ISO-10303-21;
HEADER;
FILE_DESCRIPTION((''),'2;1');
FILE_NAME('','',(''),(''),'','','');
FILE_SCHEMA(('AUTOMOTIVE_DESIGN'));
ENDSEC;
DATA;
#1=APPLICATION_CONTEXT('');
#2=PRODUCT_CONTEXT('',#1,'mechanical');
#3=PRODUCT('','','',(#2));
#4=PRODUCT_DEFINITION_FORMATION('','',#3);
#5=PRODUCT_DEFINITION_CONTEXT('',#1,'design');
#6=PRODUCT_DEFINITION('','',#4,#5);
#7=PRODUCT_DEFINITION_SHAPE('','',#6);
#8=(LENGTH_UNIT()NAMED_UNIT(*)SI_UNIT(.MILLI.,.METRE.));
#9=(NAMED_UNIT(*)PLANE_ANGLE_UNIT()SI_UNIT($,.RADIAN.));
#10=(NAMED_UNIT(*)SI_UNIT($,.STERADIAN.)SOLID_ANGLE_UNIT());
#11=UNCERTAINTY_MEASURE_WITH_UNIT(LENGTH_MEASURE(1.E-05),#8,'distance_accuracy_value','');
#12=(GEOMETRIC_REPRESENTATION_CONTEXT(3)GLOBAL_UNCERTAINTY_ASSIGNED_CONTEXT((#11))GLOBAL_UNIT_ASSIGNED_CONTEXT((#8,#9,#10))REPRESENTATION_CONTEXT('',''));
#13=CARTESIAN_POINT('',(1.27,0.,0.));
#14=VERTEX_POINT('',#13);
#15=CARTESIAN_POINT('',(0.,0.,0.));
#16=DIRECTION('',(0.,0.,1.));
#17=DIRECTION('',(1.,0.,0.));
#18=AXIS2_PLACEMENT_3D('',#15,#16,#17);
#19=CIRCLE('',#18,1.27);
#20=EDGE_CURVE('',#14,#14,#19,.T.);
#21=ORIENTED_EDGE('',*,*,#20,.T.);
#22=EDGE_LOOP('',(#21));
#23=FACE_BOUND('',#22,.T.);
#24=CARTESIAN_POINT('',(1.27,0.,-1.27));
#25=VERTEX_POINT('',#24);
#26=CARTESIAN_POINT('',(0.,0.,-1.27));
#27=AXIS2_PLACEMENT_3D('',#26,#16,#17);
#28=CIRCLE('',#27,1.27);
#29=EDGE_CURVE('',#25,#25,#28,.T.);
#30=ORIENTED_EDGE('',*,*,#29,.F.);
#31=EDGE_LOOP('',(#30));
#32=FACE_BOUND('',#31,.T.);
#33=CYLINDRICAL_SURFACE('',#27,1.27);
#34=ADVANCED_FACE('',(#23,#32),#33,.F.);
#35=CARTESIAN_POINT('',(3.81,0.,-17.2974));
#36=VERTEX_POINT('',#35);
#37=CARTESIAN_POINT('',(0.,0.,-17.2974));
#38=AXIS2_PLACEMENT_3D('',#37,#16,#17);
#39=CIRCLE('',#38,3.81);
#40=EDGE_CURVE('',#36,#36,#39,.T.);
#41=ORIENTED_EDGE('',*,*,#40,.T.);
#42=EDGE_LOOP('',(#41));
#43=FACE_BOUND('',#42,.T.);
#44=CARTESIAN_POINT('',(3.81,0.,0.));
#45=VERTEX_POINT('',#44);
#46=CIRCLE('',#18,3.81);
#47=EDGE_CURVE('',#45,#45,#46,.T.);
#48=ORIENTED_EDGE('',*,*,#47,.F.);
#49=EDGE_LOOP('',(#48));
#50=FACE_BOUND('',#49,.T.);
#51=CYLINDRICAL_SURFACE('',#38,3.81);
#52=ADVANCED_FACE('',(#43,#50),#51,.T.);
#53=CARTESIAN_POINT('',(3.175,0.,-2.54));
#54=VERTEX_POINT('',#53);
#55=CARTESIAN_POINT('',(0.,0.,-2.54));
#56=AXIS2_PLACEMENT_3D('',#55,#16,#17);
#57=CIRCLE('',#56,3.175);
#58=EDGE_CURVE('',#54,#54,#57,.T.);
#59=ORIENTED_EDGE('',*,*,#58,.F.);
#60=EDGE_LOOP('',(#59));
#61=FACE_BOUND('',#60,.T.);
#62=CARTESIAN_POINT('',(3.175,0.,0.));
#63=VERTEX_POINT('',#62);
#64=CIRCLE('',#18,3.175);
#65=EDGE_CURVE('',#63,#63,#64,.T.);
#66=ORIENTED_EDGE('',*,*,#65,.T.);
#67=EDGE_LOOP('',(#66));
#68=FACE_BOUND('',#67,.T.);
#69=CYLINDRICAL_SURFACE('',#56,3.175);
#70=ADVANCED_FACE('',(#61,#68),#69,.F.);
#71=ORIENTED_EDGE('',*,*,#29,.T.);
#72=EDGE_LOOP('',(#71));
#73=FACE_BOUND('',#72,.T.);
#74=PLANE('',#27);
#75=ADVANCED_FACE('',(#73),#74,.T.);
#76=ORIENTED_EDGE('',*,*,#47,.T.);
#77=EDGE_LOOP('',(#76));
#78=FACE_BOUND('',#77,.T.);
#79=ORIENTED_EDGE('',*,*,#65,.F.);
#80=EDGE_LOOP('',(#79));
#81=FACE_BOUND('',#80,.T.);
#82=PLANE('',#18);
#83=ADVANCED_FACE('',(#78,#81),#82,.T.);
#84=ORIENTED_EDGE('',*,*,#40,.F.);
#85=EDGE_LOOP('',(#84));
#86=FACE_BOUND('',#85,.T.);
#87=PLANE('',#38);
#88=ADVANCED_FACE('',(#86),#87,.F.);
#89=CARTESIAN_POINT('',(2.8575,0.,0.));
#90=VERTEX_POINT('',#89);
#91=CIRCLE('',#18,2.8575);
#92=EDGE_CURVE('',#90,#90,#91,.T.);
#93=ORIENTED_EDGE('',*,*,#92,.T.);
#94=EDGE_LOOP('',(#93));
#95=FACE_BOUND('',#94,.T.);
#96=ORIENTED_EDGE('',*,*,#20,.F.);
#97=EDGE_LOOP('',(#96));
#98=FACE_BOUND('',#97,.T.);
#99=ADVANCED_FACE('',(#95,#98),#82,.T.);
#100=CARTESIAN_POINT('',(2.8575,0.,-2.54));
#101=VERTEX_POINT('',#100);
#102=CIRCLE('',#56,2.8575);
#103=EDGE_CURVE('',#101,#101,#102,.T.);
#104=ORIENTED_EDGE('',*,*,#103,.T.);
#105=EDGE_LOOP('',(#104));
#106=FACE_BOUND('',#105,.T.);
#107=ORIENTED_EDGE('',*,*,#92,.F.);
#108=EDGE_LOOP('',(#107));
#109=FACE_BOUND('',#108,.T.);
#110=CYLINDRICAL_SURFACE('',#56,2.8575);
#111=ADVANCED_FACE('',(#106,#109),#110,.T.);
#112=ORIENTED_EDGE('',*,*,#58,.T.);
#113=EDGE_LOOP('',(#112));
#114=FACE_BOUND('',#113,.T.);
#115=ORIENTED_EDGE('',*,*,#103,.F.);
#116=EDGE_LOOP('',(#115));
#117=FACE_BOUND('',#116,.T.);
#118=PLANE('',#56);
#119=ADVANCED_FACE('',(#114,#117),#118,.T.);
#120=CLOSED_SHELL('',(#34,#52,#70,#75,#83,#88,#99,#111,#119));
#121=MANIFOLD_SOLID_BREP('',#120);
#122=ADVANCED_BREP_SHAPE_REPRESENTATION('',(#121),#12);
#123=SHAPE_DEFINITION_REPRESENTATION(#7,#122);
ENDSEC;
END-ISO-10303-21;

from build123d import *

# Parameters (mm, degrees)
SKETCH1_R           = 3.81
BOSS_EXTRUDE1_DEPTH = 17.2974
SKETCH1_6_R         = 3.175
SKETCH1_6_R_2       = 2.8575
CUT_EXTRUDE1_DEPTH  = 2.54
SKETCH1_7_R         = 1.27
CUT_EXTRUDE2_DEPTH  = 1.27


with BuildPart() as part:
    # Sketch1 → Boss-Extrude1 (new body)
    with BuildSketch(Plane.XY):
        Circle(SKETCH1_R)
    extrude(amount=-BOSS_EXTRUDE1_DEPTH)

    # Sketch1<6> → Cut-Extrude1 (cut)
    with BuildSketch(Plane.XY):
        Circle(SKETCH1_6_R)
        Circle(SKETCH1_6_R_2, mode=Mode.SUBTRACT)
    extrude(amount=-CUT_EXTRUDE1_DEPTH, mode=Mode.SUBTRACT)

    # Sketch1<7> → Cut-Extrude2 (cut)
    with BuildSketch(Plane.XY):
        Circle(SKETCH1_7_R)
    extrude(amount=-CUT_EXTRUDE2_DEPTH, mode=Mode.SUBTRACT)


solid = part.part
